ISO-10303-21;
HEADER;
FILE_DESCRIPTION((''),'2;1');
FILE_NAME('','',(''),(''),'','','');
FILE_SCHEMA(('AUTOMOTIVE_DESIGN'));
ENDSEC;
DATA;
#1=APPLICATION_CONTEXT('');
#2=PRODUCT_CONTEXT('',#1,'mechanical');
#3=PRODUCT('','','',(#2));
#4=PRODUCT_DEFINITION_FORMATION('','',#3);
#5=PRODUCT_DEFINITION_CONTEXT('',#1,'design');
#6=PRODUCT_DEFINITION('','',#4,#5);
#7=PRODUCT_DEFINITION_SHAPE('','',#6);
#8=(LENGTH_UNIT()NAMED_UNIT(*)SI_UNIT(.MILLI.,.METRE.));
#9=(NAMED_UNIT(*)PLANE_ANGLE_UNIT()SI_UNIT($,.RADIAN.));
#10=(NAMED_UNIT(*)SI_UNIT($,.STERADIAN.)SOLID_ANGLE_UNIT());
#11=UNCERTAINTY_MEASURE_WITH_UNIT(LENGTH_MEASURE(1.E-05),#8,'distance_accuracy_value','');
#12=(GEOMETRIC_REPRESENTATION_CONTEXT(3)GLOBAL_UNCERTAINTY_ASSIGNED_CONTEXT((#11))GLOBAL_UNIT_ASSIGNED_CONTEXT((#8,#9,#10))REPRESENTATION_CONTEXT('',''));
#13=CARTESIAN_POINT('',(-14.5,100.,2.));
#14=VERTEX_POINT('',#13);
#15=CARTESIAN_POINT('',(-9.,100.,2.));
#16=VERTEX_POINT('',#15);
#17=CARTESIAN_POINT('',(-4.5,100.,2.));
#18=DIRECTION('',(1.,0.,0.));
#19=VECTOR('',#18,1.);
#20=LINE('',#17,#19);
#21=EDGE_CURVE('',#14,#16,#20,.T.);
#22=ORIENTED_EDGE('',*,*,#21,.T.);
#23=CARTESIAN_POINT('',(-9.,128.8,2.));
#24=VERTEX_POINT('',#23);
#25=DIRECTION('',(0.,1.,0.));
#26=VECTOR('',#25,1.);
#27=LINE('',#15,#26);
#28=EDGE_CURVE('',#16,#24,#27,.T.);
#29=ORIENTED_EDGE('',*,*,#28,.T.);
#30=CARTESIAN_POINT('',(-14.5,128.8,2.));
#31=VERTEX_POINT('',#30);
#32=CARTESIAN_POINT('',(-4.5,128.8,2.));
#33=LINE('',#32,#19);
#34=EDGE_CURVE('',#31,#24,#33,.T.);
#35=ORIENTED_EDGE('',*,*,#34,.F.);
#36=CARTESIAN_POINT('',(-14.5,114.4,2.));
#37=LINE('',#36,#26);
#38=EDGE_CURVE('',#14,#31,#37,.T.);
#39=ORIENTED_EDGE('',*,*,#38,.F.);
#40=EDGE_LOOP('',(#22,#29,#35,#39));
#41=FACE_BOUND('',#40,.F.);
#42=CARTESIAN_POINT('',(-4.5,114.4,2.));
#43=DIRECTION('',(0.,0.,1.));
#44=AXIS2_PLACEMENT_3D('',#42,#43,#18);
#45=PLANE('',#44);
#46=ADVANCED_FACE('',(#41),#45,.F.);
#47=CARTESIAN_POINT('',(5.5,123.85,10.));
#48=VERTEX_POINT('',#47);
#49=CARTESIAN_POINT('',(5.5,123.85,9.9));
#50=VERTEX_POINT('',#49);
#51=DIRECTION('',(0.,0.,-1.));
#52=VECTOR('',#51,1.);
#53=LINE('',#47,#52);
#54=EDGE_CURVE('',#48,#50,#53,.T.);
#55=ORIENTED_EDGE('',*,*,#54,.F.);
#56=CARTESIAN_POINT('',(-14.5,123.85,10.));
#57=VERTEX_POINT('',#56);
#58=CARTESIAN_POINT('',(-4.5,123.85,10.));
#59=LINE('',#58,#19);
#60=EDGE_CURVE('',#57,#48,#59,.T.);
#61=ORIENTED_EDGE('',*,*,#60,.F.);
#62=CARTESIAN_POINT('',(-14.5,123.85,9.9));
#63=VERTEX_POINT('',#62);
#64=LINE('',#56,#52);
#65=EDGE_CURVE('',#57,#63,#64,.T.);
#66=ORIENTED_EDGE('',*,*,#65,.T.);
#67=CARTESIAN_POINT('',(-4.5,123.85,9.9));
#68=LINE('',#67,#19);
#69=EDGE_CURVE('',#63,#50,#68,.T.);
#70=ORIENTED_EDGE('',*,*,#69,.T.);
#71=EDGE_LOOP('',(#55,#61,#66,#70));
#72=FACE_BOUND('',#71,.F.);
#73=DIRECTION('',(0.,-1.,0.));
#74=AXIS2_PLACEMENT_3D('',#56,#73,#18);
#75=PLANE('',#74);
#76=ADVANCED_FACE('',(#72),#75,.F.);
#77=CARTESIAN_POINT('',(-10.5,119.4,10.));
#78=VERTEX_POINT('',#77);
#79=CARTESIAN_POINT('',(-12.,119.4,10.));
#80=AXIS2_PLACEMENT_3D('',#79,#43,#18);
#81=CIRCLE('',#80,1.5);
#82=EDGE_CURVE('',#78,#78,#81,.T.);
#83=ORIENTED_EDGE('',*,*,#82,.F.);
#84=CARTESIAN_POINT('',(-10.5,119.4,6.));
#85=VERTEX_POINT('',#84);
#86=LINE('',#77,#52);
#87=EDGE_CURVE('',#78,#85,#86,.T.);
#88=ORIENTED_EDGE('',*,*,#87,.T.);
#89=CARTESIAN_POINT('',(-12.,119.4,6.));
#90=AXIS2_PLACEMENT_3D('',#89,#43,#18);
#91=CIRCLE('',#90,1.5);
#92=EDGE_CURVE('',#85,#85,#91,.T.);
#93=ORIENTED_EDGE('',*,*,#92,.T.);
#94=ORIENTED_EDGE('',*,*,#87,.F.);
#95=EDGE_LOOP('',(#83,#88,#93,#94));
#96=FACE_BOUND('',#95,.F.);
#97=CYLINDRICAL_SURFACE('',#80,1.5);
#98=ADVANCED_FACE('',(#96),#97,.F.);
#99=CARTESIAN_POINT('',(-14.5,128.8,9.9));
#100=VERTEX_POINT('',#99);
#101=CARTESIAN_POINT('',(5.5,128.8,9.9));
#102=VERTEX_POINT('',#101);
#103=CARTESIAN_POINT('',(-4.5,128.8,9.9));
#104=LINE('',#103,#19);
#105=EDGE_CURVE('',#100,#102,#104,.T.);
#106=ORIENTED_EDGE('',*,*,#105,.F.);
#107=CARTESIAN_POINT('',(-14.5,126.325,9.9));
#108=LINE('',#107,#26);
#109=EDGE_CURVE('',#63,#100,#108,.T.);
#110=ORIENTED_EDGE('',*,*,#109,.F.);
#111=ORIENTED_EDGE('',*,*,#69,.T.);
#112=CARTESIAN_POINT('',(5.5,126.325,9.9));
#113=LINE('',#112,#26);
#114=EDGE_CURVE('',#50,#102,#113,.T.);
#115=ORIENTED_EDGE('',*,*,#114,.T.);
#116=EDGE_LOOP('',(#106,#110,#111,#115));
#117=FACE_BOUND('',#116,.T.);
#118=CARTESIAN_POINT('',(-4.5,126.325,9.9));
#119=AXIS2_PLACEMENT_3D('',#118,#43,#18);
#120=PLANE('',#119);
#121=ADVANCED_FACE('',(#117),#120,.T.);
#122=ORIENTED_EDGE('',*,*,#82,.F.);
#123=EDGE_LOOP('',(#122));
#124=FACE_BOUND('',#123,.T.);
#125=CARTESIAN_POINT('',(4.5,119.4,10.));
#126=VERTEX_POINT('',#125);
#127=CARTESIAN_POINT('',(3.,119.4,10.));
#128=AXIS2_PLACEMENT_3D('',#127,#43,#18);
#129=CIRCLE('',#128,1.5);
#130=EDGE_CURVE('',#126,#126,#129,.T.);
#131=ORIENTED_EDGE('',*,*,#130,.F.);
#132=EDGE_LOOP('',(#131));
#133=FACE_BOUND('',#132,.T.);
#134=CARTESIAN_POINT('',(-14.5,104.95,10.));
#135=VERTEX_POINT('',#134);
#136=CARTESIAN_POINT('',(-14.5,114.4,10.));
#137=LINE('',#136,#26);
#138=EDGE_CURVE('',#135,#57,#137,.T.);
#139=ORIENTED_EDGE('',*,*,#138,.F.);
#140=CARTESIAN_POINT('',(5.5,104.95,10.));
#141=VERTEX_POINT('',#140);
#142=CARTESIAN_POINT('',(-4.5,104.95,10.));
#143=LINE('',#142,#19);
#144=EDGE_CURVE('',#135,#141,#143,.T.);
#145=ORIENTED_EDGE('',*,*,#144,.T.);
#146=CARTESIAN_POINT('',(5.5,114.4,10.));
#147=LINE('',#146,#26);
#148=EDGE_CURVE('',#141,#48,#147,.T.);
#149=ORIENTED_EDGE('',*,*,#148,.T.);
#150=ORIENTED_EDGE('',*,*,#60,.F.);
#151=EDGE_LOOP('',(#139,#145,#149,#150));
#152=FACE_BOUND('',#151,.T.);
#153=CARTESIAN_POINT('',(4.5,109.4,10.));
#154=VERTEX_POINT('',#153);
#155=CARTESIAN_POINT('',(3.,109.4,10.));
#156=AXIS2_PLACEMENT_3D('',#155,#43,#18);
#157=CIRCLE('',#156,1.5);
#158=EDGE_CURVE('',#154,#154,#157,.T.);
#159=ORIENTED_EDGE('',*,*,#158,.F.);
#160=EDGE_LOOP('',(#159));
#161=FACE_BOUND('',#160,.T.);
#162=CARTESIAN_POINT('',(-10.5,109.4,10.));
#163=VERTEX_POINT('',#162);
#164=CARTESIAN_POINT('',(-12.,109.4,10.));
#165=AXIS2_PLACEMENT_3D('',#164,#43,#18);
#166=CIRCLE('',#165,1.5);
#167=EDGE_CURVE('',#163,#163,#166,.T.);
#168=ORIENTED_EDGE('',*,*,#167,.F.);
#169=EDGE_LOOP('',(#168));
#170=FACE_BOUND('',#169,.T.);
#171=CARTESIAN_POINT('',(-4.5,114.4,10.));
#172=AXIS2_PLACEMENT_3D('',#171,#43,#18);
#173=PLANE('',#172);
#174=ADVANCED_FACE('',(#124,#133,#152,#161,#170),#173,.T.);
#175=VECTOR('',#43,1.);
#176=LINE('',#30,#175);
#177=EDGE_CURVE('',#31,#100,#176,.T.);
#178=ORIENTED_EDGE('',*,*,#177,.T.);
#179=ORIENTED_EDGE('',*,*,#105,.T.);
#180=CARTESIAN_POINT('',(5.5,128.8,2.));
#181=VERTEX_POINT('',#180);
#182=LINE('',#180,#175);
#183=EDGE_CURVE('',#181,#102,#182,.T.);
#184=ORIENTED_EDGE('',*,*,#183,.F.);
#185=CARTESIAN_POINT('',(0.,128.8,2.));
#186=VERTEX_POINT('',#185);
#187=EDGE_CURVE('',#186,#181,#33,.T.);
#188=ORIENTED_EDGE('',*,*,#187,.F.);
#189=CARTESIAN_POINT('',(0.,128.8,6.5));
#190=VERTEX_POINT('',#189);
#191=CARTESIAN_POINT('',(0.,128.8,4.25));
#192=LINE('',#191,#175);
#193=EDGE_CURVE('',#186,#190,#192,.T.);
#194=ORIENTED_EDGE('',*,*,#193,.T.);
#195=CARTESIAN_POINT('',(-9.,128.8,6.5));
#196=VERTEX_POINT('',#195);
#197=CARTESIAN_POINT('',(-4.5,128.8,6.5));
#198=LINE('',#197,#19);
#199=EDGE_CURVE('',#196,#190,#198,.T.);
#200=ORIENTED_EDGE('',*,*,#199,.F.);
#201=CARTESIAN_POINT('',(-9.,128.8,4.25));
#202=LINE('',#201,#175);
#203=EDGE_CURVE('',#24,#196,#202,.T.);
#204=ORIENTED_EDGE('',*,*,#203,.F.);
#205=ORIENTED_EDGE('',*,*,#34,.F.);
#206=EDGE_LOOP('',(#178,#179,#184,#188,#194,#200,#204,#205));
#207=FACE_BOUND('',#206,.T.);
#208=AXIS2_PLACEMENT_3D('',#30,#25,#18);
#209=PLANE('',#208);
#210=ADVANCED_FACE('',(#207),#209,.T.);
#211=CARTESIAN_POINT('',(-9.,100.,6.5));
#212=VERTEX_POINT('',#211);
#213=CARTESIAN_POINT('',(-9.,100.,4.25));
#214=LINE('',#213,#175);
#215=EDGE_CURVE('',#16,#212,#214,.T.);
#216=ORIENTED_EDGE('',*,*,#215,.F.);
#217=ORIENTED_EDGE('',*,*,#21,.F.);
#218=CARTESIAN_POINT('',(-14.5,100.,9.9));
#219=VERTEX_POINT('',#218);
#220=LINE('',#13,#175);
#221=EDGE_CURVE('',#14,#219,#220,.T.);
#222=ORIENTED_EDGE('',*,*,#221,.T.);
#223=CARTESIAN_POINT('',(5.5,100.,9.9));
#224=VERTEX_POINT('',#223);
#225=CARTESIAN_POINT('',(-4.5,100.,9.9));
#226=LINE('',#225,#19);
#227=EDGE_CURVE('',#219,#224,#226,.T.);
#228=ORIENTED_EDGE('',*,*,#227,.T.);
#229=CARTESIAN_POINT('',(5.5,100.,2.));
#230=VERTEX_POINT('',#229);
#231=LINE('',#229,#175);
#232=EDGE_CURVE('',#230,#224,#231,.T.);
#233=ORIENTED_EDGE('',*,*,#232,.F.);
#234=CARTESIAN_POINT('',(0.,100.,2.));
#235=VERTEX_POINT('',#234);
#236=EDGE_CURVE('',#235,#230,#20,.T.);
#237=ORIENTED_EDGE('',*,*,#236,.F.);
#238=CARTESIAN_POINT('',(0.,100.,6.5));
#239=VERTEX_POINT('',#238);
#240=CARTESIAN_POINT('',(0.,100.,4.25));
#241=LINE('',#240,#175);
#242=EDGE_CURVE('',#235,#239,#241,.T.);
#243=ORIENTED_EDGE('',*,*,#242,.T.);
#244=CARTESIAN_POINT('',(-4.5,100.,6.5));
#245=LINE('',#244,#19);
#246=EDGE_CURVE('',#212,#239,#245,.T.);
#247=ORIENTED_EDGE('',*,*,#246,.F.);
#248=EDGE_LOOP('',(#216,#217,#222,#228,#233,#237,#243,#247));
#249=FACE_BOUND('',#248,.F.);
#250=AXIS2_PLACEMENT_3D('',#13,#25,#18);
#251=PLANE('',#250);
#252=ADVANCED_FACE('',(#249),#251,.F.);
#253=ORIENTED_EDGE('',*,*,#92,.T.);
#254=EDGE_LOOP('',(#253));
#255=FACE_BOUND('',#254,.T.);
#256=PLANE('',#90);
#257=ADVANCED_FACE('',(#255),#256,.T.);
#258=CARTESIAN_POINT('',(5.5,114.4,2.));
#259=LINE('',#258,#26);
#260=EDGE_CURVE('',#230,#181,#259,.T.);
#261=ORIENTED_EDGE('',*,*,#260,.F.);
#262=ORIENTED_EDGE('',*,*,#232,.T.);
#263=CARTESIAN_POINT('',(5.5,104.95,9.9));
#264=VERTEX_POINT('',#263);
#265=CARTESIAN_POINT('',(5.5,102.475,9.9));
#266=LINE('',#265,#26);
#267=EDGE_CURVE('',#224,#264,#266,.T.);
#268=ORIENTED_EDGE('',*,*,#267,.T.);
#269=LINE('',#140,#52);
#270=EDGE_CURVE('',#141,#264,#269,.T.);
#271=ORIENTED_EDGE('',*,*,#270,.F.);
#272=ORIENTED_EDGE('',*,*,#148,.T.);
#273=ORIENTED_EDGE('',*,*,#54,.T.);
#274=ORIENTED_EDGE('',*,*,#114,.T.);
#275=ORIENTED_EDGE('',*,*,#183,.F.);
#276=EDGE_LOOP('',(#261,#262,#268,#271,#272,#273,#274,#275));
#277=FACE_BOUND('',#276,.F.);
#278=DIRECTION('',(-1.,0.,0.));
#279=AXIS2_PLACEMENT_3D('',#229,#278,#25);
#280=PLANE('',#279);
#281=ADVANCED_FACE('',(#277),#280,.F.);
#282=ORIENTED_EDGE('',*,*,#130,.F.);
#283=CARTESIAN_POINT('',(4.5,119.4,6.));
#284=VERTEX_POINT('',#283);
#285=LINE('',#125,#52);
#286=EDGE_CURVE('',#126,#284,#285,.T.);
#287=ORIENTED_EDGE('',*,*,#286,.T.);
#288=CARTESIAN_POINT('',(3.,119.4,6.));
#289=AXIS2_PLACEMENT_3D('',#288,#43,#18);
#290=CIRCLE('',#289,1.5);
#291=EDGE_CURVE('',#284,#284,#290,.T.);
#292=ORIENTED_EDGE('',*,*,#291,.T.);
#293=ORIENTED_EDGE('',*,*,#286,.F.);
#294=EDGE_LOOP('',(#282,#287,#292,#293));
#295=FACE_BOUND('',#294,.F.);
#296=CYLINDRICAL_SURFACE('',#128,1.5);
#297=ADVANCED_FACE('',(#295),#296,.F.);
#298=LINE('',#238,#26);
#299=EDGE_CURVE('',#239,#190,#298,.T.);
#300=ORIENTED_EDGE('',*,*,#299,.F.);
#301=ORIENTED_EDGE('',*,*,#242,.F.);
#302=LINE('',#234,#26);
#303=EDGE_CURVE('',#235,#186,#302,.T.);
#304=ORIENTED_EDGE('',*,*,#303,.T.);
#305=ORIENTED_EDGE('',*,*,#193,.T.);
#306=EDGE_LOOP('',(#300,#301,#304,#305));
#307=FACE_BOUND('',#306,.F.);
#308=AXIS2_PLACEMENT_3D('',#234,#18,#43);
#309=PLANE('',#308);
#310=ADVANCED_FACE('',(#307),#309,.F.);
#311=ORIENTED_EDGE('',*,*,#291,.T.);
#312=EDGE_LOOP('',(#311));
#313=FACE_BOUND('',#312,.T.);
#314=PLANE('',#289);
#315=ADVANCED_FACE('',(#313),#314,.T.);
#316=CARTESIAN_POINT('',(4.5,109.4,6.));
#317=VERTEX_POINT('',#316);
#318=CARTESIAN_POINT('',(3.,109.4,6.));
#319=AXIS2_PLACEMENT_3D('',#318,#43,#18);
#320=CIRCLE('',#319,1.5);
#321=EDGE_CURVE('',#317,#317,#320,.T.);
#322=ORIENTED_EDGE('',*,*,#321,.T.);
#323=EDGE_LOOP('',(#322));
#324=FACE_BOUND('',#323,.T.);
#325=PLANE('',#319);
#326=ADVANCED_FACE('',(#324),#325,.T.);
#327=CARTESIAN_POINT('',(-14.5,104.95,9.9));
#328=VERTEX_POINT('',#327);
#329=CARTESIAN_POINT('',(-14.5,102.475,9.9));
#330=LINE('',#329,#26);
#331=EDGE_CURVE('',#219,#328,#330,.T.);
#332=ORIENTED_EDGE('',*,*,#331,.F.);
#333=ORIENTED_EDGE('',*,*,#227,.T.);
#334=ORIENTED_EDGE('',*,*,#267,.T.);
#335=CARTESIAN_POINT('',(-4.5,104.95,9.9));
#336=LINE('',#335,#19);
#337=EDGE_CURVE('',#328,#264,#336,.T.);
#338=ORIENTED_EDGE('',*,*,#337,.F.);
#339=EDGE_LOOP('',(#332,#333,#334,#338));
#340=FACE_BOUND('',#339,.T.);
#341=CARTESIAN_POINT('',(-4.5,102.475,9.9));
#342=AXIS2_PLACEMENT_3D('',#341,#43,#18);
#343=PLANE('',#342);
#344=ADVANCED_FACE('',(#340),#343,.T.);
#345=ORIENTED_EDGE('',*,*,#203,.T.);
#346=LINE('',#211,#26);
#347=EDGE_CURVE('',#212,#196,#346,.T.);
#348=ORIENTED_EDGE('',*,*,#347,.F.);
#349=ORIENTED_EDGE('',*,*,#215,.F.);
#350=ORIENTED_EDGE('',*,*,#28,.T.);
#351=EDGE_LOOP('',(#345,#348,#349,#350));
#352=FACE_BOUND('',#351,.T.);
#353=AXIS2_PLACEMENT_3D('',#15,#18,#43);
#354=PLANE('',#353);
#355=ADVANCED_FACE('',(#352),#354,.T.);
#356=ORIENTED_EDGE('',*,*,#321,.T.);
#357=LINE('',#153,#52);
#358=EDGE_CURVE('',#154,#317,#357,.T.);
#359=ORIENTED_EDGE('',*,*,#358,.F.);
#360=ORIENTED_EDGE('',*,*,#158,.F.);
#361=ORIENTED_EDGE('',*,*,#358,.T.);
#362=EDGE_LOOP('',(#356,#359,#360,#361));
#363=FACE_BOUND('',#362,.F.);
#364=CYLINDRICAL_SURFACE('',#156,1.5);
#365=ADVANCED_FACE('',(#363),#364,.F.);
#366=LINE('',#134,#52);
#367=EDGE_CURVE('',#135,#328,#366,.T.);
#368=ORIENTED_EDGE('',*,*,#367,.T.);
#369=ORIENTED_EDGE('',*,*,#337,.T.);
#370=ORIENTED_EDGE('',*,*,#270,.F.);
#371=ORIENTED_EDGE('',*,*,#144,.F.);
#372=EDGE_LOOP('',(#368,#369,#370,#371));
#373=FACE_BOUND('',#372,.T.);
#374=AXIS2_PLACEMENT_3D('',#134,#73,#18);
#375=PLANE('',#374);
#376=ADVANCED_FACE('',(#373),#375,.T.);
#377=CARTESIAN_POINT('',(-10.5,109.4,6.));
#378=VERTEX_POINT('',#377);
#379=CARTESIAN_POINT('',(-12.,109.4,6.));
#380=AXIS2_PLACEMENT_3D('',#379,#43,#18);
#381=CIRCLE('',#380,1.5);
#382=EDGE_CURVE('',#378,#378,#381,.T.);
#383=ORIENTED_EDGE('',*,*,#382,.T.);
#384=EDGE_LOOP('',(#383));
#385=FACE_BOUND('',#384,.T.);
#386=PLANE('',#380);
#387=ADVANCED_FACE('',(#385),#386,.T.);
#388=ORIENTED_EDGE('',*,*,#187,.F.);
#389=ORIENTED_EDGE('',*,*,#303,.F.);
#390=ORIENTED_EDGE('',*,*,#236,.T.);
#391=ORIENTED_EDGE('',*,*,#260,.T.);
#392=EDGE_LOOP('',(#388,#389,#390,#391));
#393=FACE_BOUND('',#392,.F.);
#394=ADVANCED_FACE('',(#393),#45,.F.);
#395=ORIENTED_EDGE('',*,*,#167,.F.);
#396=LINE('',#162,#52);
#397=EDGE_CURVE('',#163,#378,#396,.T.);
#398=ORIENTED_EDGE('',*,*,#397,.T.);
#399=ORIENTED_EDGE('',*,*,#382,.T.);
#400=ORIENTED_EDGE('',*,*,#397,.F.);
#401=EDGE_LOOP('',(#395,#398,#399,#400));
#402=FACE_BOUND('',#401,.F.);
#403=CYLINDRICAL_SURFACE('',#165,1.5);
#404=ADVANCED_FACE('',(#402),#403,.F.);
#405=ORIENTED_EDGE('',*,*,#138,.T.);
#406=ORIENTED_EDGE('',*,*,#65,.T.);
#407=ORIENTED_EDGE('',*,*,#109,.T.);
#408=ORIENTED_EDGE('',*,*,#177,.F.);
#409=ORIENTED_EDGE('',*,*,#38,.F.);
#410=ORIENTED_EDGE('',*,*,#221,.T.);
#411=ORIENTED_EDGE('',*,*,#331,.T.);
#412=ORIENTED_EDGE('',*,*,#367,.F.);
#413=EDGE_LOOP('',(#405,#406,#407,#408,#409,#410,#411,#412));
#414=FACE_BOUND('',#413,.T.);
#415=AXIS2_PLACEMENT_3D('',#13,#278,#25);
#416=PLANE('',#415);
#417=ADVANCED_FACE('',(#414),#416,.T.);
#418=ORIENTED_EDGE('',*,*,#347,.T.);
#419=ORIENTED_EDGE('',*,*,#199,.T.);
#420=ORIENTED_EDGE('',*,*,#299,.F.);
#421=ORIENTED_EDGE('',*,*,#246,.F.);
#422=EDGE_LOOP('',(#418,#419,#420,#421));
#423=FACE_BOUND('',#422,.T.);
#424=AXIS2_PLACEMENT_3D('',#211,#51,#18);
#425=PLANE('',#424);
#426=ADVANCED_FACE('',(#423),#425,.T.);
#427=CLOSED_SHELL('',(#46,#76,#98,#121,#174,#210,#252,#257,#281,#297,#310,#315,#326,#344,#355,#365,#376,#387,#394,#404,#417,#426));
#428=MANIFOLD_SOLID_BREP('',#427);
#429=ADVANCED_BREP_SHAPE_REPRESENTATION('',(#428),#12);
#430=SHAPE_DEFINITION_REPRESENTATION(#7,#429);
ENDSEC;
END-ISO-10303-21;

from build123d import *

# Parameters (mm, degrees)
SKETCH038_W     = 20
SKETCH038_H     = 28.8
PAD013_DEPTH    = 8
SKETCH039_W     = 9
SKETCH039_H     = 4.5
POCKET025_DEPTH = 28.8
SKETCH040_R     = 1.5
POCKET023_DEPTH = 4
SKETCH041_W     = 20
SKETCH041_H     = 4.95
POCKET026_DEPTH = 0.1


with BuildPart() as part:
    # Sketch038 → Pad013 (new body)
    with BuildSketch(Plane.XY):
        with Locations((-4.5, 14.4)):
            Rectangle(SKETCH038_W, SKETCH038_H)
    extrude(amount=PAD013_DEPTH)

    # Sketch039 (on Face1 of Pad013) → Pocket025 (cut)
    with BuildSketch(Plane.XZ):
        with Locations((-4.5, 2.25)):
            Rectangle(SKETCH039_W, SKETCH039_H)
    extrude(amount=-POCKET025_DEPTH, mode=Mode.SUBTRACT)

    # Sketch040 (on Face8 of Pocket025) → Pocket023 (cut)
    with BuildSketch(Plane.XY.offset(8)):
        with Locations((-12, 19.4)):
            Circle(SKETCH040_R)
        with Locations((3, 9.4)):
            Circle(SKETCH040_R)
        with Locations((-12, 9.4)):
            Circle(SKETCH040_R)
        with Locations((3, 19.4)):
            Circle(SKETCH040_R)
    extrude(amount=-POCKET023_DEPTH, mode=Mode.SUBTRACT)

    # Sketch041 (on Face8 of Pocket023) → Pocket026 (cut)
    with BuildSketch(Plane.XY.offset(8)):
        with Locations((-4.5, 26.325)):
            Rectangle(SKETCH041_W, SKETCH041_H)
        with Locations((-4.5, 2.475)):
            Rectangle(SKETCH041_W, SKETCH041_H)
    extrude(amount=-POCKET026_DEPTH, mode=Mode.SUBTRACT)


with BuildPart() as part_1:
    # Body014 placement: moved
    add(part.part.moved(Location((0, 100, 2))))


solid = part_1.part
